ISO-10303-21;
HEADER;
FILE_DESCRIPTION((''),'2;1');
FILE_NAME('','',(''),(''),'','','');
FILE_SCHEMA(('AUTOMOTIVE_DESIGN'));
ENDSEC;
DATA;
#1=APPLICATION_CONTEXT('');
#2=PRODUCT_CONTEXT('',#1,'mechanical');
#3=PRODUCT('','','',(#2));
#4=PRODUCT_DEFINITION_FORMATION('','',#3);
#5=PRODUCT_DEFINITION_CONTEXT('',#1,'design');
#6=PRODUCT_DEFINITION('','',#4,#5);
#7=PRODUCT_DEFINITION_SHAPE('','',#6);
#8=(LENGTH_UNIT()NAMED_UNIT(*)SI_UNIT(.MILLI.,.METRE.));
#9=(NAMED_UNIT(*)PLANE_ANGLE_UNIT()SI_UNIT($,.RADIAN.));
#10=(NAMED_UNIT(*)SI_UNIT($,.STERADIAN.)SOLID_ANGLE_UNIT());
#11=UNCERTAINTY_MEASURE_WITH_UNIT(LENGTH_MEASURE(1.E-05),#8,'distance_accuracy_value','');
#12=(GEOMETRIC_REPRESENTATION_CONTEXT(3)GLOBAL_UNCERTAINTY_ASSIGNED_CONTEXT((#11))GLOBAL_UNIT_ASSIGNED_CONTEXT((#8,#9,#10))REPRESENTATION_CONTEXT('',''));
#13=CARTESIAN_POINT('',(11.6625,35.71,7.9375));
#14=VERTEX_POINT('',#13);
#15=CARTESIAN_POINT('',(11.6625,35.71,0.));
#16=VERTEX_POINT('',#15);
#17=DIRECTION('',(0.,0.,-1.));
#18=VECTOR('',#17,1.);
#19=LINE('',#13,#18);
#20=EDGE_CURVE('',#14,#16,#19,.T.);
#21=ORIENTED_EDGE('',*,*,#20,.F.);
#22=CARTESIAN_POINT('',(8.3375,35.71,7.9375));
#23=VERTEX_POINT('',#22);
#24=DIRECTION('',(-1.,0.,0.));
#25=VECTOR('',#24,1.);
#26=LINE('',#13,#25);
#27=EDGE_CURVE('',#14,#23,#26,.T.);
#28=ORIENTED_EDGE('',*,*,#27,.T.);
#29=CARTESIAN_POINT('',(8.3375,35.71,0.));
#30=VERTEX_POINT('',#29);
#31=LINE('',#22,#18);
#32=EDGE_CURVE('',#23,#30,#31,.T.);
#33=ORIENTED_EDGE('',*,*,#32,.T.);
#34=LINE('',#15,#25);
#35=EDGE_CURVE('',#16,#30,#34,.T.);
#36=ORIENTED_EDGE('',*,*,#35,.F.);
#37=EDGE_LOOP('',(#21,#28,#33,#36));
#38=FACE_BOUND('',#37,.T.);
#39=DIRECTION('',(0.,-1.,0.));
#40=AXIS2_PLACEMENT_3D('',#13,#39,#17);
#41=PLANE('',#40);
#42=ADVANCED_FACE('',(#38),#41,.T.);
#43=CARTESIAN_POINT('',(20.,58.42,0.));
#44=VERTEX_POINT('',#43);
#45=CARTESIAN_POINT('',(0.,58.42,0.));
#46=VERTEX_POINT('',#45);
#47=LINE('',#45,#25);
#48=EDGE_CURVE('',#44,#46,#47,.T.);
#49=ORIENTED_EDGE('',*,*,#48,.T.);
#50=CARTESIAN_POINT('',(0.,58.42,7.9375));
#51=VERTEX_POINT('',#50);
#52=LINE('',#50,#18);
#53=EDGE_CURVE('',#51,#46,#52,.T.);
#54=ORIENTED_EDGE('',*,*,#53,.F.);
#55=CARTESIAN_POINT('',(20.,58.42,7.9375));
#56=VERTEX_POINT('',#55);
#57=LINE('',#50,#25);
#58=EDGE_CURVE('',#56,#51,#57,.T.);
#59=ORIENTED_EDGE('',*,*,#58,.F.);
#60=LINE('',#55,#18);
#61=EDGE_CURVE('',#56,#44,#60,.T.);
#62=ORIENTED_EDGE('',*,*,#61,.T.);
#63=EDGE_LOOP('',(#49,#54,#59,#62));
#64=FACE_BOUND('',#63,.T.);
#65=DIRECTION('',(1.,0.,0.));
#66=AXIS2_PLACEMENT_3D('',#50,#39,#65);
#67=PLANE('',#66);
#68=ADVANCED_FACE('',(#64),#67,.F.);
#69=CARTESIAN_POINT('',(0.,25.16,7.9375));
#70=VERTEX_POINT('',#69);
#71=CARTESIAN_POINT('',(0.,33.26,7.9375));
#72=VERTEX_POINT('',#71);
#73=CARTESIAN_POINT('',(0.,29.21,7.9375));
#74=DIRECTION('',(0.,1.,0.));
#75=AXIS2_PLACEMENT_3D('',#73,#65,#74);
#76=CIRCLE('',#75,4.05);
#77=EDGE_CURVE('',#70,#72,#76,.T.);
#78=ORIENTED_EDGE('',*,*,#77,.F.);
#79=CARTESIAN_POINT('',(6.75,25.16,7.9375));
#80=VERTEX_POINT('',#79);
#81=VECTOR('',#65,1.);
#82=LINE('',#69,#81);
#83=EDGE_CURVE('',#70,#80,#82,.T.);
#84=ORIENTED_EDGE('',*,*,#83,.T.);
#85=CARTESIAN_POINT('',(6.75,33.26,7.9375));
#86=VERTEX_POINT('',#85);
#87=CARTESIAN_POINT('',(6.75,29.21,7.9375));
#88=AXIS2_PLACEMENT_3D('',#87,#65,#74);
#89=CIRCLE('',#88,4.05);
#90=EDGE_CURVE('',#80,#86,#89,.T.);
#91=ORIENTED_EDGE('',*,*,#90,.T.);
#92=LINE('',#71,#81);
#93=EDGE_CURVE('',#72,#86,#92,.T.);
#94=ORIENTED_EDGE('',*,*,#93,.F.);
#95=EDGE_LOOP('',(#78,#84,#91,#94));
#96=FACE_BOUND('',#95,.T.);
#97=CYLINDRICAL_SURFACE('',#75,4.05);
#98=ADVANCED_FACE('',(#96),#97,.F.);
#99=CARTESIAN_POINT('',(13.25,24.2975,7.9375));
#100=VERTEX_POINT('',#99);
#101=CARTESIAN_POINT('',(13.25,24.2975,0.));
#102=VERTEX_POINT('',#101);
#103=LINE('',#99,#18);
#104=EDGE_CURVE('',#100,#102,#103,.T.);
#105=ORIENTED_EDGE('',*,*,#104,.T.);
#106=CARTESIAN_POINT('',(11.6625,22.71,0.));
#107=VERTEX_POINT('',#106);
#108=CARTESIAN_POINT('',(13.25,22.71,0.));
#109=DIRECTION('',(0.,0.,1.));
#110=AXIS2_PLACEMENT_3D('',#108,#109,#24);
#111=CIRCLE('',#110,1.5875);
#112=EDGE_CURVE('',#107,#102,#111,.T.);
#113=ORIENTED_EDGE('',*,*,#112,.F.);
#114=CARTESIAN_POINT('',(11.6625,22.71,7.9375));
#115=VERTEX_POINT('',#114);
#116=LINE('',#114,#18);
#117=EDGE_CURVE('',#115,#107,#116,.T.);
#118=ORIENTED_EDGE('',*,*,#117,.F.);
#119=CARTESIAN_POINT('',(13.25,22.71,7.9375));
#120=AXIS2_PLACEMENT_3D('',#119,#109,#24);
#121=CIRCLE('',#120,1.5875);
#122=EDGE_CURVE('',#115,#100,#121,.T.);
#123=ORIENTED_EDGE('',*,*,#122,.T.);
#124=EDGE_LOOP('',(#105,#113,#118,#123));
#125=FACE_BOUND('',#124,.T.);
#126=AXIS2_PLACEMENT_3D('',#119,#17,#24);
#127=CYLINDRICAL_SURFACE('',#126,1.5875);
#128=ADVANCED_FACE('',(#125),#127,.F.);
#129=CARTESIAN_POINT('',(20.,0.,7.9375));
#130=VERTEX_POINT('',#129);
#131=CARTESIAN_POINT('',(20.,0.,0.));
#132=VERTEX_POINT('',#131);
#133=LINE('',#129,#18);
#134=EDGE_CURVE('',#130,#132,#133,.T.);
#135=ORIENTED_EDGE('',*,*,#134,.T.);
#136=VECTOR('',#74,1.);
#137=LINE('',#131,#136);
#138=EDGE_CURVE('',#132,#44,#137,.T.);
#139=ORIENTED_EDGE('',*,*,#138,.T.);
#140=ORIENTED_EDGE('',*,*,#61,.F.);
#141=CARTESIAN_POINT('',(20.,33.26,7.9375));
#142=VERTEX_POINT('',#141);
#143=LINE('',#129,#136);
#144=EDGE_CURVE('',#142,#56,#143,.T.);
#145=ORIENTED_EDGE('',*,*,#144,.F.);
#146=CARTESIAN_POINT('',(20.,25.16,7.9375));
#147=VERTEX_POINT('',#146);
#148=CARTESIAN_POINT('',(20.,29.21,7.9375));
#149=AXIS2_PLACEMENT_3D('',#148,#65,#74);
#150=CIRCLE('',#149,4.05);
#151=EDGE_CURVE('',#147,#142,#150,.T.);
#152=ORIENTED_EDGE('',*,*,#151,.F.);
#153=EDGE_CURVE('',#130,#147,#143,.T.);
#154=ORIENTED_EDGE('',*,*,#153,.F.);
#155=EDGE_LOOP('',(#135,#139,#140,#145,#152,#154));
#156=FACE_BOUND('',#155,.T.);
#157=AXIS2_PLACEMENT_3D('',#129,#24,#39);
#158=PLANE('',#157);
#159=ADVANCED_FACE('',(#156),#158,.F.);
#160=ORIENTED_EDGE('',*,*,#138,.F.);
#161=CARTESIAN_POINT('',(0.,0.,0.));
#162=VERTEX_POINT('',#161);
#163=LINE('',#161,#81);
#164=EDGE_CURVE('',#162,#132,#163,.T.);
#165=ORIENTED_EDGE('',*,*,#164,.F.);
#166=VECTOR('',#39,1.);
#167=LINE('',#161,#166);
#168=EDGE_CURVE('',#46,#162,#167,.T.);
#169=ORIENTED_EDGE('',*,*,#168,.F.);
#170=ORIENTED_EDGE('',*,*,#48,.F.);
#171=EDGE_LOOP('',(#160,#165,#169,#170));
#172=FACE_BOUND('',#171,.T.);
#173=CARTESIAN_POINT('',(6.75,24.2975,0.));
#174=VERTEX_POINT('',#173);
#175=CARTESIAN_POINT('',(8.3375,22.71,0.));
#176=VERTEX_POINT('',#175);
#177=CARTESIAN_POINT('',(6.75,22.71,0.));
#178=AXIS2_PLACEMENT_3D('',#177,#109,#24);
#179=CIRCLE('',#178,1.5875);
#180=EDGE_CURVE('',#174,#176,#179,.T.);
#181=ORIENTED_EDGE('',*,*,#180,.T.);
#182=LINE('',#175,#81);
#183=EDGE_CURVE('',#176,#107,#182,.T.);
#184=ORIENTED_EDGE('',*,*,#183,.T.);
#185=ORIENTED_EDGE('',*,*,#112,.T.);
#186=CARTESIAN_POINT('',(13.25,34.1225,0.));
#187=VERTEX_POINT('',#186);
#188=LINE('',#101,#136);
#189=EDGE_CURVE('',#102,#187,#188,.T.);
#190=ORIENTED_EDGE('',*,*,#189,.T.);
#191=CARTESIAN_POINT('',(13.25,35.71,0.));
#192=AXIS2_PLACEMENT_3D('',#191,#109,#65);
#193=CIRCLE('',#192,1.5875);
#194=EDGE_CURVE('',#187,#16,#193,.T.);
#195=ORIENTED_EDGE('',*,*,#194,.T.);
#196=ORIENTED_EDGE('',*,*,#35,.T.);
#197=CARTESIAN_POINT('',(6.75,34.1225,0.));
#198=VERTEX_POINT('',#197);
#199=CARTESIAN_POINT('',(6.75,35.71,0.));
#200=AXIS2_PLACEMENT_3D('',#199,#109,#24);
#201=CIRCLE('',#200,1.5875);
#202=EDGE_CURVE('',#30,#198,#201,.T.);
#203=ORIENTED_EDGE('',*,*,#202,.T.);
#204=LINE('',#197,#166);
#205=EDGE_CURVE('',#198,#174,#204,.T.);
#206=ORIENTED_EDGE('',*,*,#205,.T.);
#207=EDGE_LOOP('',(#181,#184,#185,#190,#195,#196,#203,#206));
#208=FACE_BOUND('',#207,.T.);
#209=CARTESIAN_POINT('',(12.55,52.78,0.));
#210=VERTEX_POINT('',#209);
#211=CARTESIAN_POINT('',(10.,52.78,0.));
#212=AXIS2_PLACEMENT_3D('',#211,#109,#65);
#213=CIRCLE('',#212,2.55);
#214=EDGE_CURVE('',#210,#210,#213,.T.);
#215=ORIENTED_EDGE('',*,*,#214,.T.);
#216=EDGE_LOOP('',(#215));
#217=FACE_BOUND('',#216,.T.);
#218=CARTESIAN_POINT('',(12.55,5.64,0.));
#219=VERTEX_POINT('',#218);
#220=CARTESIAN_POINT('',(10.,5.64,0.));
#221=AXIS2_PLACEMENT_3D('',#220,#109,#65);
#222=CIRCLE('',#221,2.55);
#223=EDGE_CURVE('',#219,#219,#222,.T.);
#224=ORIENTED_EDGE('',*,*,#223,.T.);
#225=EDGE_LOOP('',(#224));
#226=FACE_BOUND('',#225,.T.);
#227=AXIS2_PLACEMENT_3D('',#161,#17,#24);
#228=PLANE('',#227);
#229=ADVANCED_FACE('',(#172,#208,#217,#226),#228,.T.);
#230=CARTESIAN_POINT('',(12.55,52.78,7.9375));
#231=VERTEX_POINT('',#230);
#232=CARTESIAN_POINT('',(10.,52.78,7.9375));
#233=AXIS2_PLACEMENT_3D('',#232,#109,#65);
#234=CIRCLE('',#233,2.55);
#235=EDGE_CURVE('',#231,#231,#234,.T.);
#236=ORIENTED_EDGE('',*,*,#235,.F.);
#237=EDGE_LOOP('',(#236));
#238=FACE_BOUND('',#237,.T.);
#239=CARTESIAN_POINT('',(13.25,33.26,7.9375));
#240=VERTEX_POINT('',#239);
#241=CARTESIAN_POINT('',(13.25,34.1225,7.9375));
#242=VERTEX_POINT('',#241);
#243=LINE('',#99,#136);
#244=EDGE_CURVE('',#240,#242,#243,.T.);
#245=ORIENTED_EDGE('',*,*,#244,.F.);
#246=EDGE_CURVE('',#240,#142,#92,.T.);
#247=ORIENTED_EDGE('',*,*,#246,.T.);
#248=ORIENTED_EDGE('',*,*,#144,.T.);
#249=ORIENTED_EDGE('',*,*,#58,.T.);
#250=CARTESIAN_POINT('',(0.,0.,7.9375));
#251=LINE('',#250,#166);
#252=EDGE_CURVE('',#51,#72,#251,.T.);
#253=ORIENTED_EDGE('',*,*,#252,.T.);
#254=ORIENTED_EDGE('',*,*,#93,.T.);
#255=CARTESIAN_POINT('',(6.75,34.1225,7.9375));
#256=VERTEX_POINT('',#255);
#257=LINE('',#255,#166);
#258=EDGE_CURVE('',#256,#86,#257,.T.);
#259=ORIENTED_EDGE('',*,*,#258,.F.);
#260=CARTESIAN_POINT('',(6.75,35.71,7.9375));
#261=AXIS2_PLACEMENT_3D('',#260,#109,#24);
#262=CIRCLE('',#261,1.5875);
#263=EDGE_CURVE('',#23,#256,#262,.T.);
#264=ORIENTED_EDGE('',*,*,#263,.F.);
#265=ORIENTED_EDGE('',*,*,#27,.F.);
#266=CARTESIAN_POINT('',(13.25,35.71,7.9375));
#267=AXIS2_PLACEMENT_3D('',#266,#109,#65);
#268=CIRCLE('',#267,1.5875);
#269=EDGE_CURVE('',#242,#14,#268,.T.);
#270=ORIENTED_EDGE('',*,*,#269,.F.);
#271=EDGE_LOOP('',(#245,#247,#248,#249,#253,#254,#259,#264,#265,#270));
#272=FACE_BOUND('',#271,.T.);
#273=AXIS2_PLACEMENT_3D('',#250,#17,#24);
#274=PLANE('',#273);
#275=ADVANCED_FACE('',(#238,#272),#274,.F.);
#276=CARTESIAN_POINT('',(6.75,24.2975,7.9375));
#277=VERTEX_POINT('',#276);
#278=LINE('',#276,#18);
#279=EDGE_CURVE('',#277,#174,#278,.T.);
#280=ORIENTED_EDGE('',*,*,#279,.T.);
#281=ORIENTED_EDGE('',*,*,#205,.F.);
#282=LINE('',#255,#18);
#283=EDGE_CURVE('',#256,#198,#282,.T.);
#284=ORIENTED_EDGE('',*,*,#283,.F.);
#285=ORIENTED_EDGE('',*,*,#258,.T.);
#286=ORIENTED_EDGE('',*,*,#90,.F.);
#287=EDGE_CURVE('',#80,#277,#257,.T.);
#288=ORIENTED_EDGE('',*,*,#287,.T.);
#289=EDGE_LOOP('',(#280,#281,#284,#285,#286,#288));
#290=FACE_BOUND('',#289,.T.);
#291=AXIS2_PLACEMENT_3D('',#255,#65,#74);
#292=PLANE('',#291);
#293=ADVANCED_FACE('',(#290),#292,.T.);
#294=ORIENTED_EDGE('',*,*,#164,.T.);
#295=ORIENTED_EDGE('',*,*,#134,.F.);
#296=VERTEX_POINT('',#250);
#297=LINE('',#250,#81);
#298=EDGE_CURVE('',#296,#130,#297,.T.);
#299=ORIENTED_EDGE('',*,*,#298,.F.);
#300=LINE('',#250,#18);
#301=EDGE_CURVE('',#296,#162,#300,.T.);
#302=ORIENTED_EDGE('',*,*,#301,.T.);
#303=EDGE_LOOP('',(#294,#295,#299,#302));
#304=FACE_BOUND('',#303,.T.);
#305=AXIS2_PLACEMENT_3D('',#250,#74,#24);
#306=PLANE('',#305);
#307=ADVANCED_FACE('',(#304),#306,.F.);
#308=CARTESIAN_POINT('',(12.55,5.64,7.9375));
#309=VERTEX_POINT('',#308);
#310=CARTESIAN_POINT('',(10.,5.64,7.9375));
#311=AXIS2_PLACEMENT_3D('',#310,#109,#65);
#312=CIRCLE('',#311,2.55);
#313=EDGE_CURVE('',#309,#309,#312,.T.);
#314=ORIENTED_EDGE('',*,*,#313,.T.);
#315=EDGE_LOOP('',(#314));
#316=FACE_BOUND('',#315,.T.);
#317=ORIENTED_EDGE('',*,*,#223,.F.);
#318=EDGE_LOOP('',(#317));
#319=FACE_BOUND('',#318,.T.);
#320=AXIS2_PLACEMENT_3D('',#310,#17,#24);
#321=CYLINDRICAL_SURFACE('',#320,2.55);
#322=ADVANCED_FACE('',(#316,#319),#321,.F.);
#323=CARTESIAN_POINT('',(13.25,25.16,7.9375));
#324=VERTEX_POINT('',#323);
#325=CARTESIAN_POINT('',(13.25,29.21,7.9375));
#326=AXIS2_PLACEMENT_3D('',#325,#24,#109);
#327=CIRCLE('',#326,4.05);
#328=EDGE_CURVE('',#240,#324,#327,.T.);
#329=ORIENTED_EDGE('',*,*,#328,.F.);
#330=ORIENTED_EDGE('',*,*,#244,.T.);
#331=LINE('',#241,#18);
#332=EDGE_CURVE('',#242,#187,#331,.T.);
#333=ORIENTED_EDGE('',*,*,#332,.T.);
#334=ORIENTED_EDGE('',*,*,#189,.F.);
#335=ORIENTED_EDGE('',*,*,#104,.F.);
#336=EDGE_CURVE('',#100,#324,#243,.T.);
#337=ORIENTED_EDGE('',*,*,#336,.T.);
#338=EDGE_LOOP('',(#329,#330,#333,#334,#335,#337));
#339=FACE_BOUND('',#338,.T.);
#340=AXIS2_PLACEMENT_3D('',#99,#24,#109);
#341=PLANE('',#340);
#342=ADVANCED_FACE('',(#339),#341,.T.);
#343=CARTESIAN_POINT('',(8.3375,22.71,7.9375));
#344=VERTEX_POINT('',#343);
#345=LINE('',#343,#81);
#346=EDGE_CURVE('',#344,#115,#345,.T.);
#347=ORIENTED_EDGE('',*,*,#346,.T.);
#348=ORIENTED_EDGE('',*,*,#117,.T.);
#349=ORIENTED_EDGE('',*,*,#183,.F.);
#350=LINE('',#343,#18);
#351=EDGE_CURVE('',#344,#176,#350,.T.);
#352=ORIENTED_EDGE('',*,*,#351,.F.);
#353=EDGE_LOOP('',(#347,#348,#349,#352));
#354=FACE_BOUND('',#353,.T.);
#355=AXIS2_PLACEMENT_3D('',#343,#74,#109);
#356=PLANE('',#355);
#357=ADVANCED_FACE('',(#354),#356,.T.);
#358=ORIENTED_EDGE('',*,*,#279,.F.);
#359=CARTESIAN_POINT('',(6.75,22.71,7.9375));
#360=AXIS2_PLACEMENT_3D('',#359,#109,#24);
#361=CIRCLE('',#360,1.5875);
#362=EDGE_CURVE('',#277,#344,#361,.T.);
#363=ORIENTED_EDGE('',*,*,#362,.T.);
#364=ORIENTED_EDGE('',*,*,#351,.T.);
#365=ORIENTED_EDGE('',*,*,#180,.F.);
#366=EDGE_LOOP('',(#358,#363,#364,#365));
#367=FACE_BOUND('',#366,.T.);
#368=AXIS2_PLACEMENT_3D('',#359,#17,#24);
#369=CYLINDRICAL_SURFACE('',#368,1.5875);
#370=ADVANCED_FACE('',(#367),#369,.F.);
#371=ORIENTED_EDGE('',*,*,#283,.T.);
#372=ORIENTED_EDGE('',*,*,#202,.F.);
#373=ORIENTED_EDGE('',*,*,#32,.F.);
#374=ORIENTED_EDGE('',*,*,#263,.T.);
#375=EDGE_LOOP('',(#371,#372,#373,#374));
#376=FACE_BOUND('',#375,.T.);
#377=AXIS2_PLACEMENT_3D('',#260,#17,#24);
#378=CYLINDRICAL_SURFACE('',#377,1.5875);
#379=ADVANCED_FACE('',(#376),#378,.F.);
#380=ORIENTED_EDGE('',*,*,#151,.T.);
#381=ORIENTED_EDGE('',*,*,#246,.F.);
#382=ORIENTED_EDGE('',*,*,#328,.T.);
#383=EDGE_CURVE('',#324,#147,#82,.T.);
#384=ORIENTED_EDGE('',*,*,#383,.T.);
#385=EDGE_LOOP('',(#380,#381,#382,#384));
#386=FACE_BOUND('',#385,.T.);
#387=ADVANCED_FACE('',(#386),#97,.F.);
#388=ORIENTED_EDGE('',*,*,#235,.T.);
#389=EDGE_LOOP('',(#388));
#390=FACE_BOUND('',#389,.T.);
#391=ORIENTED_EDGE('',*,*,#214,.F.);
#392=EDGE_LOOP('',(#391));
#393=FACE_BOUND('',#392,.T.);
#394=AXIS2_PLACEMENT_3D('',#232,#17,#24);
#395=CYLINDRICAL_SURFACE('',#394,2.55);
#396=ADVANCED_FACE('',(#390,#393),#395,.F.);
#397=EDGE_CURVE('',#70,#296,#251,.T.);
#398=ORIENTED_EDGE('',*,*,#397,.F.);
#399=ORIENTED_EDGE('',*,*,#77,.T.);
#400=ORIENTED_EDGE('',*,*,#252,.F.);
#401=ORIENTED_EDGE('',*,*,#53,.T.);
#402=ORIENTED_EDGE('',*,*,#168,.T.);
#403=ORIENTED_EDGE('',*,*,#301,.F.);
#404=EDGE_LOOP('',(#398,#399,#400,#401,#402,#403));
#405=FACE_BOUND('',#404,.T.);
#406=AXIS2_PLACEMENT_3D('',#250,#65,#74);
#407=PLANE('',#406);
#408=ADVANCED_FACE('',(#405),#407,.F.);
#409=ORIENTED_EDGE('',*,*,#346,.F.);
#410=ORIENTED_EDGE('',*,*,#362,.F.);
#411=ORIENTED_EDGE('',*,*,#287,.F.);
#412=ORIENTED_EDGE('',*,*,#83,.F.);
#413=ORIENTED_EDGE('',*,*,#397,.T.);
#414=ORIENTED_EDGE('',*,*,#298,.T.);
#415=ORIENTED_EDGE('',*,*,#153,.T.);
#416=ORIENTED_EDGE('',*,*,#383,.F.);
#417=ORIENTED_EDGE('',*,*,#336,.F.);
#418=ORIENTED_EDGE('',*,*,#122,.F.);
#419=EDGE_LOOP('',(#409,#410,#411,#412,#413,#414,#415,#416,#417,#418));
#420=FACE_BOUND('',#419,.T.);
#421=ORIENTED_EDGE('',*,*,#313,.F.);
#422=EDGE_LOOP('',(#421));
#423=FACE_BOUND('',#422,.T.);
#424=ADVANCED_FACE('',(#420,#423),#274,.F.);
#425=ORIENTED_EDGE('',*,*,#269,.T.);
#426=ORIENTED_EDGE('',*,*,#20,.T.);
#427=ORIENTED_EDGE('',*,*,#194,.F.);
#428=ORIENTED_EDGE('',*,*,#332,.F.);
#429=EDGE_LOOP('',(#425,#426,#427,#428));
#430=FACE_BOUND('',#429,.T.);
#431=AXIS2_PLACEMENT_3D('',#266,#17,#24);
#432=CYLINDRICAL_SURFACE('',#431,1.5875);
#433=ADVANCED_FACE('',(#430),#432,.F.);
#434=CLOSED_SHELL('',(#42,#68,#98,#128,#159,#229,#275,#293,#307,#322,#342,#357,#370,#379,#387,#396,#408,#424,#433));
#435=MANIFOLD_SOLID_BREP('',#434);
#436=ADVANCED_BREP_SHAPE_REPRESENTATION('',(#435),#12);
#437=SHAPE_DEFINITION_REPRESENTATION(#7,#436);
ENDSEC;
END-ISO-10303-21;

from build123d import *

# Parameters (mm, degrees)
SKETCH1_W           = 20
SKETCH1_H           = 58.42
SKETCH1_R           = 2.55
BOSS_EXTRUDE1_DEPTH = 7.9375
CUT_EXTRUDE1_DEPTH  = 63.256729004


with BuildPart() as part:
    # Sketch1 → Boss-Extrude1 (new body)
    with BuildSketch(Plane.XY):
        with Locations((10, 29.21)):
            Rectangle(SKETCH1_W, SKETCH1_H)
        with Locations((10, 52.78)):
            Circle(SKETCH1_R, mode=Mode.SUBTRACT)
        with Locations((10, 5.64)):
            Circle(SKETCH1_R, mode=Mode.SUBTRACT)
        with BuildLine():
            Line((13.25, 24.2975), (13.25, 34.1225))
            ThreePointArc((13.25, 34.1225), (14.372532015, 36.832532015), (11.6625, 35.71))
            Line((11.6625, 35.71), (8.3375, 35.71))
            ThreePointArc((8.3375, 35.71), (5.627467985, 36.832532015), (6.75, 34.1225))
            Line((6.75, 34.1225), (6.75, 24.2975))
            ThreePointArc((6.75, 24.2975), (5.627467985, 21.587467985), (8.3375, 22.71))
            Line((8.3375, 22.71), (11.6625, 22.71))
            ThreePointArc((11.6625, 22.71), (14.372532015, 21.587467985), (13.25, 24.2975))
        make_face(mode=Mode.SUBTRACT)
    extrude(amount=BOSS_EXTRUDE1_DEPTH)

    # Sketch2 → Cut-Extrude1 (cut, through all)
    with BuildSketch(Plane(origin=(20, 0, 0), x_dir=(0, 0, -1), z_dir=(1, 0, 0))):
        with BuildLine():
            Line((-7.9375, 33.26), (-7.9375, 25.16))
            ThreePointArc((-7.9375, 25.16), (-3.8875, 29.21), (-7.9375, 33.26))
        make_face()
    extrude(amount=-CUT_EXTRUDE1_DEPTH, mode=Mode.SUBTRACT)


solid = part.part
